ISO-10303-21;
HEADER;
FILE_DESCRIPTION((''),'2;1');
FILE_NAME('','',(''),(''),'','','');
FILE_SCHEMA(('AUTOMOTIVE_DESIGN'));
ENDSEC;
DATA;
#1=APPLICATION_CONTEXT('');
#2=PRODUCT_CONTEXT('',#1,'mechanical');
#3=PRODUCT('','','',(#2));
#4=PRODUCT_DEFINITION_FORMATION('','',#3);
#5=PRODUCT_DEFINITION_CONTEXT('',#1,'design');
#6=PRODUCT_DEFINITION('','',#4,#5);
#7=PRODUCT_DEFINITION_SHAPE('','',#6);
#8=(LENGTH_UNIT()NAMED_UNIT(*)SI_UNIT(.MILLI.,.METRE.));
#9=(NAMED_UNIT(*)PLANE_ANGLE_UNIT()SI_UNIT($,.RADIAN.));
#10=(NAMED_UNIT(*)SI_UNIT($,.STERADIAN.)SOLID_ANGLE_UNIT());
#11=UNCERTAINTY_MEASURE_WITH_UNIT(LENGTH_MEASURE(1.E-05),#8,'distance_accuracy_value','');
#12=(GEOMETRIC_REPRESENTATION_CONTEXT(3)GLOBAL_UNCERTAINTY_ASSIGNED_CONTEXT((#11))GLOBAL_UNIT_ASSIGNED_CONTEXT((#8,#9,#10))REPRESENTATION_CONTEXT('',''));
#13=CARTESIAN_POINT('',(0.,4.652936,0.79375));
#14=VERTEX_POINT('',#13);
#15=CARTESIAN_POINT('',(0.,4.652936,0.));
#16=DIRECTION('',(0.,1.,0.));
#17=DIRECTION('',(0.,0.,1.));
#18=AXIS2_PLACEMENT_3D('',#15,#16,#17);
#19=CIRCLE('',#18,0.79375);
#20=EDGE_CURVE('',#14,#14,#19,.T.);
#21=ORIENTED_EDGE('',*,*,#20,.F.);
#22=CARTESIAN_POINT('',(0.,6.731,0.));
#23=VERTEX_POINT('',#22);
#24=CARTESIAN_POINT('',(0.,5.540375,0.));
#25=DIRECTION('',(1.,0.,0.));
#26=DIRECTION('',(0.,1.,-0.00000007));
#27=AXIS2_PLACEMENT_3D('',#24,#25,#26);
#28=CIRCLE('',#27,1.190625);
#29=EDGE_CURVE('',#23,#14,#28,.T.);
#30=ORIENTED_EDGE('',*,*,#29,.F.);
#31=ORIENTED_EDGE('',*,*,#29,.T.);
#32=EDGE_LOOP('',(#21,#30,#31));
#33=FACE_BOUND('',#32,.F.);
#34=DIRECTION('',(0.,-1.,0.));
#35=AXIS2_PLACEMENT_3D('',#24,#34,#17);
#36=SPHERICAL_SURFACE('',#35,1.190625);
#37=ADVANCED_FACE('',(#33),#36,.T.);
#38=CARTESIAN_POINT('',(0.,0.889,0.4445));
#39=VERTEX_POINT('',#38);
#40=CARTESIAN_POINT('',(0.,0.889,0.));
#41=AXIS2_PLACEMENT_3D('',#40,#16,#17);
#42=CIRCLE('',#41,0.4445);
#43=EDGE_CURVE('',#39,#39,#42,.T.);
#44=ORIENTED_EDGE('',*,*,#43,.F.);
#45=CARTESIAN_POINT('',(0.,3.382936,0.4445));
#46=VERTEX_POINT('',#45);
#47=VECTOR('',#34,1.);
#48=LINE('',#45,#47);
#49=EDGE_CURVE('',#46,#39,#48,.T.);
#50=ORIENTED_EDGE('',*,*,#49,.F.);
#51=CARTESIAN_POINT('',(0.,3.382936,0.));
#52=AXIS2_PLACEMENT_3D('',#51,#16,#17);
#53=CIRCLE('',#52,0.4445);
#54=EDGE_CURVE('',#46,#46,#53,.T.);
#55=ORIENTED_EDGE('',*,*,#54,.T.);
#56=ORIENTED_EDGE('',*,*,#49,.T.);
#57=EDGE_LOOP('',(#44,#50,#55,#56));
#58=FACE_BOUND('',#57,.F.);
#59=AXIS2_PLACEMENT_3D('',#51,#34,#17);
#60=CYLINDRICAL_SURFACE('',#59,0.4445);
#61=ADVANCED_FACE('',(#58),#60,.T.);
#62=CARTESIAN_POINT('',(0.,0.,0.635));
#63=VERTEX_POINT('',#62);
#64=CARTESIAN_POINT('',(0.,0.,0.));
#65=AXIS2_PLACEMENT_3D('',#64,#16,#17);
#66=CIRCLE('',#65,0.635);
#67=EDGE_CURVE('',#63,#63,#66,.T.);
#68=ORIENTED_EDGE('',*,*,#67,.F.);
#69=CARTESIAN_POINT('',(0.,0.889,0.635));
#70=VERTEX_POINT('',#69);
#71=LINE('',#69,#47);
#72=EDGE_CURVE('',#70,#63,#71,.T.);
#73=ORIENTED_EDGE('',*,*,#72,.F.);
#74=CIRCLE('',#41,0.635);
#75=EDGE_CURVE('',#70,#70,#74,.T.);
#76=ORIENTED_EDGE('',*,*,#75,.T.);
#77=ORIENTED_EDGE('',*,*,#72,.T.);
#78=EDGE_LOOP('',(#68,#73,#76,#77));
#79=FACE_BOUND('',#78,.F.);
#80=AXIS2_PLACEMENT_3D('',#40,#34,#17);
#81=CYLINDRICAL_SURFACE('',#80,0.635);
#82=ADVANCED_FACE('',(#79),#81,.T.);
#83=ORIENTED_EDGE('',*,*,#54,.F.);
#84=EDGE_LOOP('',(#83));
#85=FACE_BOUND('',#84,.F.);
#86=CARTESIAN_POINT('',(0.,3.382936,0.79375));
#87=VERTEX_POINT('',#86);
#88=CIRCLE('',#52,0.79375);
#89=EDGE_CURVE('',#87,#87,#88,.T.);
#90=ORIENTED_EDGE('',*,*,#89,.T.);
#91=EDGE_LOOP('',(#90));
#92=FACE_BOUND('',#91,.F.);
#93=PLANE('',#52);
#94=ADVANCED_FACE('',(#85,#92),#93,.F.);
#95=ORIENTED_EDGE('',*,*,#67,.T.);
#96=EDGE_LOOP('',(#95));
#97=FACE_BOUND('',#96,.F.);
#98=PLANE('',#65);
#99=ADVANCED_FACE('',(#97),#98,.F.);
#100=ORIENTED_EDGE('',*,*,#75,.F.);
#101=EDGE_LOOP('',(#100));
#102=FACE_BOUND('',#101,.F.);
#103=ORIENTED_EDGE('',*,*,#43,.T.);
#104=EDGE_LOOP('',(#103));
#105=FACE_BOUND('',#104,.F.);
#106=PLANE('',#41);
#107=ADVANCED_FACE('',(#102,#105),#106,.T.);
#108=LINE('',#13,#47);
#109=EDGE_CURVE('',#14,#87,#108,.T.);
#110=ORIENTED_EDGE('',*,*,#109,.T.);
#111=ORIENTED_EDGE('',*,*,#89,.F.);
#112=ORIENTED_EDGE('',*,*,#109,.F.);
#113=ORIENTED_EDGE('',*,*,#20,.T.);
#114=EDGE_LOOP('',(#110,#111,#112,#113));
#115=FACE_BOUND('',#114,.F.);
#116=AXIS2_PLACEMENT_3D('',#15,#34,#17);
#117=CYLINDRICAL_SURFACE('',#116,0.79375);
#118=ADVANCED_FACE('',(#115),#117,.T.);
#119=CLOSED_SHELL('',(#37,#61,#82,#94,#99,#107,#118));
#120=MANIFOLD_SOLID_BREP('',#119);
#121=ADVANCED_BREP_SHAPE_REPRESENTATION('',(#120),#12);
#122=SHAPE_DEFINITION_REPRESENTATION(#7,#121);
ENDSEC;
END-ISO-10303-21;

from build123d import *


with BuildPart() as f1:
    # F0 (on Right) → F1 (revolve)
    with BuildSketch(Plane.YZ):
        with BuildLine():
            Line((0, 0.635), (0, 0))
            Line((0, 0), (6.731, 0))
            ThreePointArc((6.731, 0), (5.965216, 1.112249), (4.652936, 0.79375))
            Line((4.652936, 0.79375), (3.382936, 0.79375))
            Line((3.382936, 0.79375), (3.382936, 0.4445))
            Line((3.382936, 0.4445), (0.889, 0.4445))
            Line((0.889, 0.4445), (0.889, 0.635))
            Line((0.889, 0.635), (0, 0.635))
        make_face()
    revolve(axis=Axis((0, 3.3655, 0), (0, 1, 0)))


solid = f1.part
